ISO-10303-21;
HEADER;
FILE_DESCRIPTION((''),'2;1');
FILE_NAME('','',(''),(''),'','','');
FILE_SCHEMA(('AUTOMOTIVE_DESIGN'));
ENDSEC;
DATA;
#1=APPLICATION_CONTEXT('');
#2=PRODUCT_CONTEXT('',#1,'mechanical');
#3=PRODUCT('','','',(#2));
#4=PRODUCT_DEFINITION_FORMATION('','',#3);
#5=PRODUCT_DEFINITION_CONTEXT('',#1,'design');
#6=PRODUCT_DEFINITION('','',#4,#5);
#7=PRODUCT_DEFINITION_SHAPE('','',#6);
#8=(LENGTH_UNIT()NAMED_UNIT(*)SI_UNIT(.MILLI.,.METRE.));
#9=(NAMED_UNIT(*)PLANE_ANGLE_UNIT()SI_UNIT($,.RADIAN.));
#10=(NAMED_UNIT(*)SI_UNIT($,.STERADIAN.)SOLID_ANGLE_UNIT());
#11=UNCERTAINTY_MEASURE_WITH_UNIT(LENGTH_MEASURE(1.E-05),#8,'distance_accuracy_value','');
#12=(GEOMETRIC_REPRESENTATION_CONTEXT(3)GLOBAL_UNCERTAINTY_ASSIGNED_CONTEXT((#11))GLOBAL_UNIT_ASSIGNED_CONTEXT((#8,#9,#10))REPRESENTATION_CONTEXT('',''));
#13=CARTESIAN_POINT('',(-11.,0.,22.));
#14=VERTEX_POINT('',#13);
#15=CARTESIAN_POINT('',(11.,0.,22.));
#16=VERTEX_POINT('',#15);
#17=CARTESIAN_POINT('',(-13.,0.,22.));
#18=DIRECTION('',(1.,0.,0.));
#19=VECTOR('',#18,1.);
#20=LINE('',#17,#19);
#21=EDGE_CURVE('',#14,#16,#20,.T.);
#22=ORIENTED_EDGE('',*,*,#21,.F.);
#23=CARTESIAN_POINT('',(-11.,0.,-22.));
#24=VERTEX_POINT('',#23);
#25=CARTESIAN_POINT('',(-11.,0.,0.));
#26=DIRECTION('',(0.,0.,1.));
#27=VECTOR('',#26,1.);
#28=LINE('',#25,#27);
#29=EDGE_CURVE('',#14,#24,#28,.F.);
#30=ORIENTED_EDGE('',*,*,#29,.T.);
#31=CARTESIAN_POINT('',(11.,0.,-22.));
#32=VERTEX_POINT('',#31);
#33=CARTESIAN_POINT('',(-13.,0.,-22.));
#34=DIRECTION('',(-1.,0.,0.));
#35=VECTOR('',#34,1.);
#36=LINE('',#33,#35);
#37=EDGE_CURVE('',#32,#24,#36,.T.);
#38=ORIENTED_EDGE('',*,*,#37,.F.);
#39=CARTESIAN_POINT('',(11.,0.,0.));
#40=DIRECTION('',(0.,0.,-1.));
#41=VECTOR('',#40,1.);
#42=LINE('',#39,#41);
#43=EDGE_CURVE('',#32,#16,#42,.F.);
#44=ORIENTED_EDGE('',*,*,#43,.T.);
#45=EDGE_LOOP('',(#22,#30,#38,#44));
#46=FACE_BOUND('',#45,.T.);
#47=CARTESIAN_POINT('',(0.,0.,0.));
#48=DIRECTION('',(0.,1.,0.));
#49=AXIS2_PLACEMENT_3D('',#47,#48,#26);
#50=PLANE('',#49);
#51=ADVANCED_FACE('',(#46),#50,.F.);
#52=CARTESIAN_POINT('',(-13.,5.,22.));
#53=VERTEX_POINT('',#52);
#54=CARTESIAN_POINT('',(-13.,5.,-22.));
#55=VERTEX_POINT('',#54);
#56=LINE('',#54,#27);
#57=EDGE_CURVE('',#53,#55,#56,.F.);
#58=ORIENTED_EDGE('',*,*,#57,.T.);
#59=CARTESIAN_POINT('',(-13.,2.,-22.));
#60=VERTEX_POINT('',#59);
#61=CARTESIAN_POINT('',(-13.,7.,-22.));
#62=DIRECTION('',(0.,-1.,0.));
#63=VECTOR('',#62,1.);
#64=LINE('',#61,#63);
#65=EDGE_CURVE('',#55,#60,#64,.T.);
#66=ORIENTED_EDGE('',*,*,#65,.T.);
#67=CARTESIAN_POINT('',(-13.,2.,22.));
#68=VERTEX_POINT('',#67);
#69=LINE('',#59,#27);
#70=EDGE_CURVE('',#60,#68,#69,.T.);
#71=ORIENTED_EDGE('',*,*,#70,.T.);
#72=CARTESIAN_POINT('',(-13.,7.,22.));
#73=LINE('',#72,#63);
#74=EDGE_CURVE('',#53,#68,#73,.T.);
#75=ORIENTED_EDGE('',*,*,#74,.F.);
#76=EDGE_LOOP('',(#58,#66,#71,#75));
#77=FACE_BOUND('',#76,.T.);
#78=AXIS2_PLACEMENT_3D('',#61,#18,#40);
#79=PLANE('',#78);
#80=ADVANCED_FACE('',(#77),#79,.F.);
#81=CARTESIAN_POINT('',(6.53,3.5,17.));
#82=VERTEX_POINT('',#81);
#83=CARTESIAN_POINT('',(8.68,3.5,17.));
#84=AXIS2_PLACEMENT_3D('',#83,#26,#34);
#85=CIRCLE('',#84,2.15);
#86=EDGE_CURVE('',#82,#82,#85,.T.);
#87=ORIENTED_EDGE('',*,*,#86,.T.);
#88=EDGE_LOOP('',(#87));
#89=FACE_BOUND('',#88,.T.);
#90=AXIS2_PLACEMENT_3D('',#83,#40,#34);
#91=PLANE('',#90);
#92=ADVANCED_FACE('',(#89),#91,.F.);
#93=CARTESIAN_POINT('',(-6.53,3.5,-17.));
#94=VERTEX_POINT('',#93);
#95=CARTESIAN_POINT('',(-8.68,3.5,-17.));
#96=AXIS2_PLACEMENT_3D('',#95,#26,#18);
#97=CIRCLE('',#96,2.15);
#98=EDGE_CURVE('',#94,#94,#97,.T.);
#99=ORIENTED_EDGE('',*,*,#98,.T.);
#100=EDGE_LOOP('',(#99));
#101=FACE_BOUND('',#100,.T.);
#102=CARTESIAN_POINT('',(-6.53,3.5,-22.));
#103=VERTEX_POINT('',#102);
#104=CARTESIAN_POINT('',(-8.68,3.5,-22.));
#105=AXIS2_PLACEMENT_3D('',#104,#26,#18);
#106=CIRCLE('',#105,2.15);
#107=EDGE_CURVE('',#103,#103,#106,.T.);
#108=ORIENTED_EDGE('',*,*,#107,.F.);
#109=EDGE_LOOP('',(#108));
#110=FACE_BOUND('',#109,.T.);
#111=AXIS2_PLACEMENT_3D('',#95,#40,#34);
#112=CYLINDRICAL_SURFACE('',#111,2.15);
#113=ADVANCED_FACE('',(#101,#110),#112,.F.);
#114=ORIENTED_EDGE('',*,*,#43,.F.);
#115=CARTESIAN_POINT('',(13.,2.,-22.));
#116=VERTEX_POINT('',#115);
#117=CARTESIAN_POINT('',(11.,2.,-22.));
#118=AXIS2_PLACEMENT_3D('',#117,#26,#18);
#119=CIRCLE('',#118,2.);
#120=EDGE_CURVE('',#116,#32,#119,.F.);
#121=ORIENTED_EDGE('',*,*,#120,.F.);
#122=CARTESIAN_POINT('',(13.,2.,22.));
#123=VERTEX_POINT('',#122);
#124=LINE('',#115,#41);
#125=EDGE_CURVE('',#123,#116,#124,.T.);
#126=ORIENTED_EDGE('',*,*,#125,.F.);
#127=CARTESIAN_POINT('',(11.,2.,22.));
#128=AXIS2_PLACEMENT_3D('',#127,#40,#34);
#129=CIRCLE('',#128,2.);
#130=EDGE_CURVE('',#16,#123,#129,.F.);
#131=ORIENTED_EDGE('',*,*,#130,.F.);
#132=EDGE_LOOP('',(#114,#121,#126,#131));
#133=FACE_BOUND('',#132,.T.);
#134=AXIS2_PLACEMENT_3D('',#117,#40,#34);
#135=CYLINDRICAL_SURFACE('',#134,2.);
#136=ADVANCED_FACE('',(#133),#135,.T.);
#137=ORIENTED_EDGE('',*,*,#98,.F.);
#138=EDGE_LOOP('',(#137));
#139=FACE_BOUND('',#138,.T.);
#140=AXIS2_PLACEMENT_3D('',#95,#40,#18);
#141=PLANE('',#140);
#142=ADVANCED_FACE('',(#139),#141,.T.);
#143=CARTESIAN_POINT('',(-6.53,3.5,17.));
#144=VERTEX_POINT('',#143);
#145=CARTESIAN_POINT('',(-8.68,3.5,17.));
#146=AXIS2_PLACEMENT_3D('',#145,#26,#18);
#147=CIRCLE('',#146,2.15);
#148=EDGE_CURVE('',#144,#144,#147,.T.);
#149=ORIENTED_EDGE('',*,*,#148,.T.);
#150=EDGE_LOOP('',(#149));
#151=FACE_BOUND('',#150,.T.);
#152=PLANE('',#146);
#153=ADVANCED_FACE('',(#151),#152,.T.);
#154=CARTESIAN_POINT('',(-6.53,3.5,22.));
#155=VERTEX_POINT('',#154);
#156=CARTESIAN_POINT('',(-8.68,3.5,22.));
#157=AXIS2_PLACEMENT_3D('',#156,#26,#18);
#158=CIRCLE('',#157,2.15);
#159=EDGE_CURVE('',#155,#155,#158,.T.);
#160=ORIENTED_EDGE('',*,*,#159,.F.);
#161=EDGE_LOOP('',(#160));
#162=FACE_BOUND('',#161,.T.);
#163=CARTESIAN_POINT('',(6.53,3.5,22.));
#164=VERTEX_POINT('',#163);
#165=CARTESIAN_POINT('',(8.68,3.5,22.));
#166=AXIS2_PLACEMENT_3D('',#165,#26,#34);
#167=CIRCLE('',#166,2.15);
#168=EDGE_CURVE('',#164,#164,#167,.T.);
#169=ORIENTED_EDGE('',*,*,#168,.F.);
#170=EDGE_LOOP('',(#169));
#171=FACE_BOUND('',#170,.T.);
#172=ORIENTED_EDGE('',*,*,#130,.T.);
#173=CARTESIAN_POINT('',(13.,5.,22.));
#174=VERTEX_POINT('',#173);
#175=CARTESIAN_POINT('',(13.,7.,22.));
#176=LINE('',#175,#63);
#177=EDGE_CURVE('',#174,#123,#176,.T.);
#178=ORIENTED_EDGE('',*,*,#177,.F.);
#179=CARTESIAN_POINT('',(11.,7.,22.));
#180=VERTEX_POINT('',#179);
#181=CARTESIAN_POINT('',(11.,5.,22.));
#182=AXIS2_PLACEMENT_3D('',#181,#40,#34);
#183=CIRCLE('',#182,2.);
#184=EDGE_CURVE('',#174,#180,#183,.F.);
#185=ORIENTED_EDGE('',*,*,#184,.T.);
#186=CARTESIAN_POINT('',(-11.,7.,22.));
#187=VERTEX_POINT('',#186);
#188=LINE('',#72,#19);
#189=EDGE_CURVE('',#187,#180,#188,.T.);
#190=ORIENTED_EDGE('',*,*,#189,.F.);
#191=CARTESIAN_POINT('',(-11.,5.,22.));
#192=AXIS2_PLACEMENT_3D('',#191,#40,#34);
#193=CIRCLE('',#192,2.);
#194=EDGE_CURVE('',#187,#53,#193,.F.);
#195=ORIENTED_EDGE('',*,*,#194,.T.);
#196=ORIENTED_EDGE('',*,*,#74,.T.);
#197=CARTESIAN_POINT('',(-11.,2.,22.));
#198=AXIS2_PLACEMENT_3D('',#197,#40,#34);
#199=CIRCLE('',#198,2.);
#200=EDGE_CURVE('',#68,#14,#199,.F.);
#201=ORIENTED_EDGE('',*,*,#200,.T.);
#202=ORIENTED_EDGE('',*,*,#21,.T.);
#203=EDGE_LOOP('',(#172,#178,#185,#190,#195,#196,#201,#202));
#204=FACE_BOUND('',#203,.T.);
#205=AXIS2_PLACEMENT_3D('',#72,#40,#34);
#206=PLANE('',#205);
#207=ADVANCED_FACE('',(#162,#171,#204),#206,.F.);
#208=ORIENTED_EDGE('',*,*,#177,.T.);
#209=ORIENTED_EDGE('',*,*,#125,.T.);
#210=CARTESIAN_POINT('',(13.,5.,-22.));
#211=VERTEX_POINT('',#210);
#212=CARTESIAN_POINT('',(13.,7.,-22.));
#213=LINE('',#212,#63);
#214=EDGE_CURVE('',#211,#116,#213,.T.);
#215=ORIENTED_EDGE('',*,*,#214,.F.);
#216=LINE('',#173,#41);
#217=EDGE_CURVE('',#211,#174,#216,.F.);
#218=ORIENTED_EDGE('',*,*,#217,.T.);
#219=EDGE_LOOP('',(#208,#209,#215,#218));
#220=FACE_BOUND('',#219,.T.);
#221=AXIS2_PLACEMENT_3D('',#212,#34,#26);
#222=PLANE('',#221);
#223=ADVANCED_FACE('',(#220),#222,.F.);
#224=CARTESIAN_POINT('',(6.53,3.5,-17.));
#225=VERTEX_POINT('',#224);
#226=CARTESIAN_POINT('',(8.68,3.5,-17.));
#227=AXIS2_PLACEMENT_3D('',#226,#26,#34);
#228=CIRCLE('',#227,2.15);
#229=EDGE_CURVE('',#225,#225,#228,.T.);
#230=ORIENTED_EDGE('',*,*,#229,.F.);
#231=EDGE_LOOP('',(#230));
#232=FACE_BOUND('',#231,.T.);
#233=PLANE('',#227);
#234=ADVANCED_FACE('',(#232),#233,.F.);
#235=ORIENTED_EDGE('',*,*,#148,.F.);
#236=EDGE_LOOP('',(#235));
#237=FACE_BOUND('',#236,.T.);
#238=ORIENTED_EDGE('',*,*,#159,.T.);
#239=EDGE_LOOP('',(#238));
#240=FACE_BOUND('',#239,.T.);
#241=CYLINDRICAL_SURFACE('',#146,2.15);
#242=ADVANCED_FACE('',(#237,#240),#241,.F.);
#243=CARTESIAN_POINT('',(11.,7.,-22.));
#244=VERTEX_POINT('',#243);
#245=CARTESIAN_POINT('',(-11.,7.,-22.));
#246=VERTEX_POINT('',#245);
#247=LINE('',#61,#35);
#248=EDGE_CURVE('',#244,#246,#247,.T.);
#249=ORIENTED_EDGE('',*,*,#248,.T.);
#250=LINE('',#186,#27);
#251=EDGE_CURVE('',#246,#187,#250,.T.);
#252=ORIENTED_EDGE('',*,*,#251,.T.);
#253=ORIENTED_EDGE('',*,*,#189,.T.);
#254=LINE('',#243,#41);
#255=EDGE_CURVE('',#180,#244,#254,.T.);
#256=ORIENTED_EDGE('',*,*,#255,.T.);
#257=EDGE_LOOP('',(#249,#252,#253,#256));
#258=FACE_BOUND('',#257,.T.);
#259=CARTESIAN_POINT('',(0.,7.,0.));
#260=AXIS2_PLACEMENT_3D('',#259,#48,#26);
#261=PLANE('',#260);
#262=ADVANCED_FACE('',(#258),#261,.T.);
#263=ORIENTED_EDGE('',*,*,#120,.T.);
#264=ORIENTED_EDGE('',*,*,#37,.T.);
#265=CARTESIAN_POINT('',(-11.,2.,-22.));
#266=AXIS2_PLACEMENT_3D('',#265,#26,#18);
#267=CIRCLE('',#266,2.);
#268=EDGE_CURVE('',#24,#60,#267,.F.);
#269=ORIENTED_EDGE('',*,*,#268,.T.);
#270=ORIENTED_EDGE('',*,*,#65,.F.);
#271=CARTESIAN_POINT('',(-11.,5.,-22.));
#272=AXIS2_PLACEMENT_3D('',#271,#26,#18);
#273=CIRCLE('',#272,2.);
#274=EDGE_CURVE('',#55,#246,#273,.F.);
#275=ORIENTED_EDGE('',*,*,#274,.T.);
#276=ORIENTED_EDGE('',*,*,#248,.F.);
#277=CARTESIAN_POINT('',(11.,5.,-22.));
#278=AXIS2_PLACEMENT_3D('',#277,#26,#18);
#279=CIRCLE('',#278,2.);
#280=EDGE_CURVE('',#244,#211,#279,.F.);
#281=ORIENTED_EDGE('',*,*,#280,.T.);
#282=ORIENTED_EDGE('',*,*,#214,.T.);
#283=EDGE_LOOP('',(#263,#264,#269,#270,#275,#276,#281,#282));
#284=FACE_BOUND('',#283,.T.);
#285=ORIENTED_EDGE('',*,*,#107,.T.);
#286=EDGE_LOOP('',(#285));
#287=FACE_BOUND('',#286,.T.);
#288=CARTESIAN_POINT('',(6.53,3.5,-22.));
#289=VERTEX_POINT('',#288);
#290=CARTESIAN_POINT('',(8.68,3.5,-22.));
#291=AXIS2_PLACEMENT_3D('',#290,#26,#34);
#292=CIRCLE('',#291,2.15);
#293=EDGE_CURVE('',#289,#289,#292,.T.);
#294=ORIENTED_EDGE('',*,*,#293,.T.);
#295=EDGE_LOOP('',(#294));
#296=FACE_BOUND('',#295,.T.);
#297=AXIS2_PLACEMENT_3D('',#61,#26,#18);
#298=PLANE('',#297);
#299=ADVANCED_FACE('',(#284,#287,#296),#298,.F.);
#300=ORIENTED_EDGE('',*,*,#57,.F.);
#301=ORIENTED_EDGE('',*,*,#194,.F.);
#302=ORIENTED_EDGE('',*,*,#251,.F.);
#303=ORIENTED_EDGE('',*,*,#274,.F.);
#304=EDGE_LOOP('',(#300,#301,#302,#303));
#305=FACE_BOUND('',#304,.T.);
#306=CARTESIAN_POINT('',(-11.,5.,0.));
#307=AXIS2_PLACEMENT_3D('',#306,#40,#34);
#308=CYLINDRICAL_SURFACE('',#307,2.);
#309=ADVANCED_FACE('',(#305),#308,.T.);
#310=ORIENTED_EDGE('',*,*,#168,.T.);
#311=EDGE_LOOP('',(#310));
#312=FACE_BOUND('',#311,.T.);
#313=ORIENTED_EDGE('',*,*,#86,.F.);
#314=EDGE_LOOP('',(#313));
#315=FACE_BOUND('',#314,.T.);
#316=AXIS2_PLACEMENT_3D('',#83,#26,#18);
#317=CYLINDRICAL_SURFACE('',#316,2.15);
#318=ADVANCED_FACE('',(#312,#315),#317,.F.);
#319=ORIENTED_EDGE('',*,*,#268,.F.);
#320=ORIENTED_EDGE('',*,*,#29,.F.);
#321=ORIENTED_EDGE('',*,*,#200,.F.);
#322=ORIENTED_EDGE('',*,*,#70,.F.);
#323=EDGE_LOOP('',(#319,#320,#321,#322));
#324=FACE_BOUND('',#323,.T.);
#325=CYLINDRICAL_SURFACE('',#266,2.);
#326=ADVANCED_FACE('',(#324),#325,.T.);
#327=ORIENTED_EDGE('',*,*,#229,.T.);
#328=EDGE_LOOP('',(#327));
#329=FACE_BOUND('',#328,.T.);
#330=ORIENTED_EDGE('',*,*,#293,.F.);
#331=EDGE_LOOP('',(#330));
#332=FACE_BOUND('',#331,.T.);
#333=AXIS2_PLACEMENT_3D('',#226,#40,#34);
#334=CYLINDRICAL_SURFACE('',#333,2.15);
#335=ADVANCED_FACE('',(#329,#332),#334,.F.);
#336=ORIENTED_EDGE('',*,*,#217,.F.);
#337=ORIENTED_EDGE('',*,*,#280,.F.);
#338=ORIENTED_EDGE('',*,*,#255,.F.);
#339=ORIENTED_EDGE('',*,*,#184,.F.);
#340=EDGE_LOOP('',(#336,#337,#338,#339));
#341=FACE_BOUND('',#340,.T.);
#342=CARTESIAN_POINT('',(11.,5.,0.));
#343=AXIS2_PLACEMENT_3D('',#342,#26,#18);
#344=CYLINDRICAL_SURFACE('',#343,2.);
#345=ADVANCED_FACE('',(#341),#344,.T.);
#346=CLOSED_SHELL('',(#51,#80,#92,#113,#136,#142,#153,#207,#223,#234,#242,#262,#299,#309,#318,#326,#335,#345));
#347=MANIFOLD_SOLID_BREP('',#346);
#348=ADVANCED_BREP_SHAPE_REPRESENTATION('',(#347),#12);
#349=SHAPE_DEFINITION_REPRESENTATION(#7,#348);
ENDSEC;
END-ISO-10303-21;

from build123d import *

# Parameters (mm, degrees)
SZKIC1_W                    = 26
SZKIC1_H                    = 44
DODANIE_WYCI_GNI_CIE1_DEPTH = 7
SZKIC2_R                    = 2.15
WYTNIJ_WYCI_GNI_CIE1_DEPTH  = 5
ZAOKR_GLENIE1_R             = 2


with BuildPart() as part:
    # Szkic1 → Dodanie-wyciągnięcie1 (new body)
    with BuildSketch(Plane(origin=(0, 0, 0), x_dir=(1, 0, 0), z_dir=(0, 1, 0))):
        Rectangle(SZKIC1_W, SZKIC1_H)
    extrude(amount=DODANIE_WYCI_GNI_CIE1_DEPTH)

    # Szkic2 → Wytnij-wyciągnięcie1 (cut)
    with BuildSketch(Plane.XY.offset(22)):
        with Locations((-8.68, 3.5)):
            Circle(SZKIC2_R)
        with Locations(Location((8.68, 3.5, 0), (0, 0, 180))):
            Circle(SZKIC2_R)
    wytnij_wyci_gni_cie1 = extrude(amount=-WYTNIJ_WYCI_GNI_CIE1_DEPTH, mode=Mode.SUBTRACT)

    # Lustro1: Wytnij-wyciągnięcie1 across plane
    add(wytnij_wyci_gni_cie1.mirror(Plane.XY), mode=Mode.SUBTRACT)

    # Zaokrąglenie1
    zaokr_glenie1_edges = [part.edges().sort_by_distance(p)[0] for p in [
        (-13, 7, 0),
        (13, 7, 0),
        (-13, 0, 0),
        (13, 0, 0),
    ]]
    fillet(zaokr_glenie1_edges, radius=ZAOKR_GLENIE1_R)


solid = part.part
